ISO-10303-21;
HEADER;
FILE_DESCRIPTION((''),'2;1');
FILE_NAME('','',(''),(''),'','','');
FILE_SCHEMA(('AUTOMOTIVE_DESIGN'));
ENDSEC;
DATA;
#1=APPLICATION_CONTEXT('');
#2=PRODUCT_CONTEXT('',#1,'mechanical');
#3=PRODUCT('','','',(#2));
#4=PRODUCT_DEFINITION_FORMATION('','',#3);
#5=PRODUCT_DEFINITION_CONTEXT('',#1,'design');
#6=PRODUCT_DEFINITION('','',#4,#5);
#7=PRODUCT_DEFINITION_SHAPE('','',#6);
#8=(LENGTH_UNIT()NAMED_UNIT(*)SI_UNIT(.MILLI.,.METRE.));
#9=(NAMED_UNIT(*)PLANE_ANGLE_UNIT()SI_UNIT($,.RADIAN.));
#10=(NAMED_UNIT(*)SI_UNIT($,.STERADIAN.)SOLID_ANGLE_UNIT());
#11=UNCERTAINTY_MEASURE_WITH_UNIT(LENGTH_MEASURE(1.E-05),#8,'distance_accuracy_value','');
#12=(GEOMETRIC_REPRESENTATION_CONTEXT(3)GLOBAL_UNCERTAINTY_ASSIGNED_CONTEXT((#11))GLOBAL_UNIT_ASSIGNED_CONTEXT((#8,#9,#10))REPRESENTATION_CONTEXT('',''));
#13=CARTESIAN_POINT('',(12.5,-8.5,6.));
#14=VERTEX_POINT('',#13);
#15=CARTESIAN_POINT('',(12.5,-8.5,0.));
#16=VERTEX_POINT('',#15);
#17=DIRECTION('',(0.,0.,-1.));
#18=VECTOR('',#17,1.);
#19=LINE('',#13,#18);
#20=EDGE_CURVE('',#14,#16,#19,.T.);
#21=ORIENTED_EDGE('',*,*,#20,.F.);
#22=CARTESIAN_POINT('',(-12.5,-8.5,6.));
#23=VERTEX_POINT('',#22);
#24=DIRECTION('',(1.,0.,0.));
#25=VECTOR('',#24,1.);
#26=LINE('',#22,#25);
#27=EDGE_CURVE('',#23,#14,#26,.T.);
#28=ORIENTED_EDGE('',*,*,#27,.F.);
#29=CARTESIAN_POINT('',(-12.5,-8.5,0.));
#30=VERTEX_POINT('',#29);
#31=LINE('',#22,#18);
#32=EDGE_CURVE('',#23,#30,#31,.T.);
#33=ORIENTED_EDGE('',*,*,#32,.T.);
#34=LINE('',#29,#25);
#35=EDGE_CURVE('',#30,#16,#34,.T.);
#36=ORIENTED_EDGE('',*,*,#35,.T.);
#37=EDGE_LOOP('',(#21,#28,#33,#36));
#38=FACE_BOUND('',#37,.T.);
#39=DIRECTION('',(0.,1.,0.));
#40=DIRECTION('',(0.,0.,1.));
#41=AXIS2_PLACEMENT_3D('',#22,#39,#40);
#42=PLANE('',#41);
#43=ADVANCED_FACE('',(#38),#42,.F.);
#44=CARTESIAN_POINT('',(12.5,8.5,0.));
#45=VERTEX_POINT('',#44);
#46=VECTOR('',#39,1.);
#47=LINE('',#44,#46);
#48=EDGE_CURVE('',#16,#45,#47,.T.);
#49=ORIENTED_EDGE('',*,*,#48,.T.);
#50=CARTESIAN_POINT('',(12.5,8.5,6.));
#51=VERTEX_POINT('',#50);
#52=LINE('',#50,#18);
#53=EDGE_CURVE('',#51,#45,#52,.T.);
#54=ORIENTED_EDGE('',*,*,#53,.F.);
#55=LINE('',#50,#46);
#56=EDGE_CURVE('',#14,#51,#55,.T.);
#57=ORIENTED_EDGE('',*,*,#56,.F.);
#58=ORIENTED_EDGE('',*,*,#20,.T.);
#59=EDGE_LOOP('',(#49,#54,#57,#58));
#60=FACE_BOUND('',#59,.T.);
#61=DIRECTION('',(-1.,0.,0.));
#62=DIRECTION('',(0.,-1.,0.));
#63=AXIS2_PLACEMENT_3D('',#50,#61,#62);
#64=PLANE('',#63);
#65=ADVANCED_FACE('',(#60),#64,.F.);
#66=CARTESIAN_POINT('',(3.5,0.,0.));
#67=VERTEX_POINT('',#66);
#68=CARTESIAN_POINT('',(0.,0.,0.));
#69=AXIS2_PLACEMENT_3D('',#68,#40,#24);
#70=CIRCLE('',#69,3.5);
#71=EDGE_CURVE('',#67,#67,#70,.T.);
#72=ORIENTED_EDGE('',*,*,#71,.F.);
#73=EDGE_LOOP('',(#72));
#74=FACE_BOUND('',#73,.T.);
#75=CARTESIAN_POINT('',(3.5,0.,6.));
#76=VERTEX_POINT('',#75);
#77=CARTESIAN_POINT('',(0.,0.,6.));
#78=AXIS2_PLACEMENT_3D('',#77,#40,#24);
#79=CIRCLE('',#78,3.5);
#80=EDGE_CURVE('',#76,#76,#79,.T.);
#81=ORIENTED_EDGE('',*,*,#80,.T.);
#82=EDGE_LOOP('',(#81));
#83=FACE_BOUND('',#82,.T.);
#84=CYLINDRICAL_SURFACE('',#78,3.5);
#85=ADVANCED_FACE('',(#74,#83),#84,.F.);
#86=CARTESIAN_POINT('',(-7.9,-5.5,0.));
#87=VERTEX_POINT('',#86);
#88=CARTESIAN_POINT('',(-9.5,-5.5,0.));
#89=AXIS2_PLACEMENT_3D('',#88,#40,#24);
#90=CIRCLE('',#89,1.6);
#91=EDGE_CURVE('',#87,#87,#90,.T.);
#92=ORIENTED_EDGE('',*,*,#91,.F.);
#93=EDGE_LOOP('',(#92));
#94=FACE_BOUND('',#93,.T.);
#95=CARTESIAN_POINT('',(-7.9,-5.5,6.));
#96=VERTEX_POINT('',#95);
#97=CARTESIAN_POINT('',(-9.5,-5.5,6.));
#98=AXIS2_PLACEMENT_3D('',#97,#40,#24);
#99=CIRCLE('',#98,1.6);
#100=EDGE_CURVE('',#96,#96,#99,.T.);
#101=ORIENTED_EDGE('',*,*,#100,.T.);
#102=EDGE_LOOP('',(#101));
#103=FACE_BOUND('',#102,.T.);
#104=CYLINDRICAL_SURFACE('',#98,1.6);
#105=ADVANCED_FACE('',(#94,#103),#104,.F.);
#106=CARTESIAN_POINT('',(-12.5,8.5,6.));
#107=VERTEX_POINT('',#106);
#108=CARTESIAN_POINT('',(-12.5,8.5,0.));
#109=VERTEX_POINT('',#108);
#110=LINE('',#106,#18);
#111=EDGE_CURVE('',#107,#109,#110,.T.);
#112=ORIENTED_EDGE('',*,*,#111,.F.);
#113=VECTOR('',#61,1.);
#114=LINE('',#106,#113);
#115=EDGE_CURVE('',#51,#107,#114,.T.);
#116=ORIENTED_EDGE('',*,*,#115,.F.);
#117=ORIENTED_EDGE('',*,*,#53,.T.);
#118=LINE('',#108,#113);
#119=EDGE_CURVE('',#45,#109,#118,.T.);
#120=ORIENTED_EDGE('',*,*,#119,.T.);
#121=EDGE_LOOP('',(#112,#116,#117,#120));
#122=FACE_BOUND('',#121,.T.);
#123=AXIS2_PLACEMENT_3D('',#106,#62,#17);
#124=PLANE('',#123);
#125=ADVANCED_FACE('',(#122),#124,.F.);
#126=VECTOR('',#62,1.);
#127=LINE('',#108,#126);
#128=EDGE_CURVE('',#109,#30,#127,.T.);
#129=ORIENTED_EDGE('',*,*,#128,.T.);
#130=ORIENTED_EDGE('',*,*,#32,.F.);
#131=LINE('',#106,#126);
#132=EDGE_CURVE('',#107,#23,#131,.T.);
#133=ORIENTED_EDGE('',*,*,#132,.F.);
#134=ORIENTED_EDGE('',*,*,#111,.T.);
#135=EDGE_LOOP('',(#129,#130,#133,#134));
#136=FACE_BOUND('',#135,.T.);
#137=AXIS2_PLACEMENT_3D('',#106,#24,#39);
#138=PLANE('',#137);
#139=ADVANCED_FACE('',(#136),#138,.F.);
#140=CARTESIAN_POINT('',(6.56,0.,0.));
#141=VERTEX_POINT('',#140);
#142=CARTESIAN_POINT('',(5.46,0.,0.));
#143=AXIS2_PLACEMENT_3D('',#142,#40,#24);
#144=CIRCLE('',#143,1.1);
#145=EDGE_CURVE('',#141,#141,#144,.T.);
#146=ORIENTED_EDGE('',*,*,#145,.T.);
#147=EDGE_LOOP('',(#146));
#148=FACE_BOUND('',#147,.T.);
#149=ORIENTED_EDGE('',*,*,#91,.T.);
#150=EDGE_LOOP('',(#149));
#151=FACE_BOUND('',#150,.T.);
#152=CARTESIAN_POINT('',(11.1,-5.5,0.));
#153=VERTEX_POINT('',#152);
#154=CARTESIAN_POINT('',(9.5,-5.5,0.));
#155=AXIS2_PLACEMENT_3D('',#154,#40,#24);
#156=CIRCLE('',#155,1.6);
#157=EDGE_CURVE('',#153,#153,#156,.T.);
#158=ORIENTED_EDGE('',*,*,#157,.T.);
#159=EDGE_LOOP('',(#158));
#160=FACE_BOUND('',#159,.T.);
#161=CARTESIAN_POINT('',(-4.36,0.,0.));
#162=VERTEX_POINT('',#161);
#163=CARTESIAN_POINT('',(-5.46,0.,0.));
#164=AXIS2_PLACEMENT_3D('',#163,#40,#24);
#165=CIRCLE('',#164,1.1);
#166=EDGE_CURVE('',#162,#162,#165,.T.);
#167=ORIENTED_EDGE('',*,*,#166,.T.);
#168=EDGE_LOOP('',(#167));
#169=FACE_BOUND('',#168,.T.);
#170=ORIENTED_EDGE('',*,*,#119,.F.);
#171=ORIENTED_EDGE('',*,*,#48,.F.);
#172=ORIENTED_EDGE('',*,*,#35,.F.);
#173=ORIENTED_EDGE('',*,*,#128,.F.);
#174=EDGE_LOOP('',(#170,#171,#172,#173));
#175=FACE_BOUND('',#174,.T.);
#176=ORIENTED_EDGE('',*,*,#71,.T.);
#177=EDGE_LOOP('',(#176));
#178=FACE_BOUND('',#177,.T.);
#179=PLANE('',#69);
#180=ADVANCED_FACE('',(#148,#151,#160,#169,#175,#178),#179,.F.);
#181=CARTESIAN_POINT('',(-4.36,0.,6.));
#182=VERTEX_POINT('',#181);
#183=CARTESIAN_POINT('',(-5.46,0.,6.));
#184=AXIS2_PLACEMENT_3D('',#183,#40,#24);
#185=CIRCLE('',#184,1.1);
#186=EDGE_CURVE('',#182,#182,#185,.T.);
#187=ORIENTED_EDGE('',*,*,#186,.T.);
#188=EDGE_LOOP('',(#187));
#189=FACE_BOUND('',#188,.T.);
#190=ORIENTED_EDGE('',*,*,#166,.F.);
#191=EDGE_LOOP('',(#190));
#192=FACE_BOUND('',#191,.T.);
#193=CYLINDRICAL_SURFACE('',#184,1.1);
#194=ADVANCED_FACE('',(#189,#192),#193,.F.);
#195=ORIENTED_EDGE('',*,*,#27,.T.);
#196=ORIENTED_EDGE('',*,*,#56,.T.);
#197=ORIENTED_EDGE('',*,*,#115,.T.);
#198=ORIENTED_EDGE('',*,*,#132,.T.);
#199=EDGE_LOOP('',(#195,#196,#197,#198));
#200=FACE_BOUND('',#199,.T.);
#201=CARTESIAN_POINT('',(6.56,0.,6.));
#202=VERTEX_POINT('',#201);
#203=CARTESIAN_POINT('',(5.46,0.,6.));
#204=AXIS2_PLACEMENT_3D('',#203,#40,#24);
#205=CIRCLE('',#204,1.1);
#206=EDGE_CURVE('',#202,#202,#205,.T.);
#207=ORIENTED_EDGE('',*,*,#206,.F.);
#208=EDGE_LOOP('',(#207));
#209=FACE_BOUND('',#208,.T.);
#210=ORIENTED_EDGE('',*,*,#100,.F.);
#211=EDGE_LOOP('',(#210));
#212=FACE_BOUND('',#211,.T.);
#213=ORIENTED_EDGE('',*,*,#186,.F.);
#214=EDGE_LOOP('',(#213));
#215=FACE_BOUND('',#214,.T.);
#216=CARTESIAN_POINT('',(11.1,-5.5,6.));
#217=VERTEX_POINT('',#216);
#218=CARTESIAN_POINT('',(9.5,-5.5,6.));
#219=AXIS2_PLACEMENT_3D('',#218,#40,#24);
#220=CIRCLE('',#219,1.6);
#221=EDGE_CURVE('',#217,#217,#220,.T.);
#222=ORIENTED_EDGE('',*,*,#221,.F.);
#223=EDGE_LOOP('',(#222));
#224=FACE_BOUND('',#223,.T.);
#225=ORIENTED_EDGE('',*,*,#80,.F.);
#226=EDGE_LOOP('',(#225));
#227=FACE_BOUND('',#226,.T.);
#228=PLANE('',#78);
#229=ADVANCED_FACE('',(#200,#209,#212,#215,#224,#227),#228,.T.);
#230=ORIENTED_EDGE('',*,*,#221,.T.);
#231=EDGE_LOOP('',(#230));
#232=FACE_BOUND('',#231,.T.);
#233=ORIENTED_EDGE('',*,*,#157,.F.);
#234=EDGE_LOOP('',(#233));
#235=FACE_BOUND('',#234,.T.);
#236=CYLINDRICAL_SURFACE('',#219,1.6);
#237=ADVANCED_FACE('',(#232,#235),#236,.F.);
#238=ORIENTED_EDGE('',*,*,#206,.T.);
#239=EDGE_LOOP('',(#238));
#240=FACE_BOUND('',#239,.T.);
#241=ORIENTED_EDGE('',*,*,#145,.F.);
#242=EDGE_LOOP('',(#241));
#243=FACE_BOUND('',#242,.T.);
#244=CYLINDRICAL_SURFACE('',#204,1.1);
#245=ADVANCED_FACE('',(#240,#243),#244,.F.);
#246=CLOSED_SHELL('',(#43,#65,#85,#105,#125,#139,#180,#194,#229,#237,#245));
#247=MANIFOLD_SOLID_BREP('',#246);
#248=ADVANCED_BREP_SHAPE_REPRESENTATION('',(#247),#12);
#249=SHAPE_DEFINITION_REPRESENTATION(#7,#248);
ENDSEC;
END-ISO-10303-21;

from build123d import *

# Parameters (mm, degrees)
SKIZZE1_W                        = 25
SKIZZE1_H                        = 17
AUFSATZ_LINEAR_AUSTRAGEN1_DEPTH  = 6
F_3_2_3_2_DURCHMESSER_BOHRUNG1_D = 3.2
F_7_0_7_DURCHMESSER_BOHRUNG1_D   = 7
F_2_2_2_2_DURCHMESSER_BOHRUNG1_D = 2.2


with BuildPart() as part:
    # Skizze1 → Aufsatz-Linear austragen1 (new body)
    with BuildSketch(Plane.XY):
        Rectangle(SKIZZE1_W, SKIZZE1_H)
    extrude(amount=AUFSATZ_LINEAR_AUSTRAGEN1_DEPTH)

    # Ø3.2 (3.2) Durchmesser Bohrung1 (through all)
    with Locations(Plane.XY.offset(6)):
        with Locations((-9.5, -5.5), (9.5, -5.5)):
            Hole(F_3_2_3_2_DURCHMESSER_BOHRUNG1_D / 2)

    # Ø7.0 (7) Durchmesser Bohrung1 (through all)
    with Locations(Plane.XY.offset(6)):
        with Locations((0, 0)):
            Hole(F_7_0_7_DURCHMESSER_BOHRUNG1_D / 2)

    # Ø2.2 (2.2) Durchmesser Bohrung1 (through all)
    with Locations(Plane.XY.offset(6)):
        with Locations((-5.46, 0), (5.46, 0)):
            Hole(F_2_2_2_2_DURCHMESSER_BOHRUNG1_D / 2)


solid = part.part
